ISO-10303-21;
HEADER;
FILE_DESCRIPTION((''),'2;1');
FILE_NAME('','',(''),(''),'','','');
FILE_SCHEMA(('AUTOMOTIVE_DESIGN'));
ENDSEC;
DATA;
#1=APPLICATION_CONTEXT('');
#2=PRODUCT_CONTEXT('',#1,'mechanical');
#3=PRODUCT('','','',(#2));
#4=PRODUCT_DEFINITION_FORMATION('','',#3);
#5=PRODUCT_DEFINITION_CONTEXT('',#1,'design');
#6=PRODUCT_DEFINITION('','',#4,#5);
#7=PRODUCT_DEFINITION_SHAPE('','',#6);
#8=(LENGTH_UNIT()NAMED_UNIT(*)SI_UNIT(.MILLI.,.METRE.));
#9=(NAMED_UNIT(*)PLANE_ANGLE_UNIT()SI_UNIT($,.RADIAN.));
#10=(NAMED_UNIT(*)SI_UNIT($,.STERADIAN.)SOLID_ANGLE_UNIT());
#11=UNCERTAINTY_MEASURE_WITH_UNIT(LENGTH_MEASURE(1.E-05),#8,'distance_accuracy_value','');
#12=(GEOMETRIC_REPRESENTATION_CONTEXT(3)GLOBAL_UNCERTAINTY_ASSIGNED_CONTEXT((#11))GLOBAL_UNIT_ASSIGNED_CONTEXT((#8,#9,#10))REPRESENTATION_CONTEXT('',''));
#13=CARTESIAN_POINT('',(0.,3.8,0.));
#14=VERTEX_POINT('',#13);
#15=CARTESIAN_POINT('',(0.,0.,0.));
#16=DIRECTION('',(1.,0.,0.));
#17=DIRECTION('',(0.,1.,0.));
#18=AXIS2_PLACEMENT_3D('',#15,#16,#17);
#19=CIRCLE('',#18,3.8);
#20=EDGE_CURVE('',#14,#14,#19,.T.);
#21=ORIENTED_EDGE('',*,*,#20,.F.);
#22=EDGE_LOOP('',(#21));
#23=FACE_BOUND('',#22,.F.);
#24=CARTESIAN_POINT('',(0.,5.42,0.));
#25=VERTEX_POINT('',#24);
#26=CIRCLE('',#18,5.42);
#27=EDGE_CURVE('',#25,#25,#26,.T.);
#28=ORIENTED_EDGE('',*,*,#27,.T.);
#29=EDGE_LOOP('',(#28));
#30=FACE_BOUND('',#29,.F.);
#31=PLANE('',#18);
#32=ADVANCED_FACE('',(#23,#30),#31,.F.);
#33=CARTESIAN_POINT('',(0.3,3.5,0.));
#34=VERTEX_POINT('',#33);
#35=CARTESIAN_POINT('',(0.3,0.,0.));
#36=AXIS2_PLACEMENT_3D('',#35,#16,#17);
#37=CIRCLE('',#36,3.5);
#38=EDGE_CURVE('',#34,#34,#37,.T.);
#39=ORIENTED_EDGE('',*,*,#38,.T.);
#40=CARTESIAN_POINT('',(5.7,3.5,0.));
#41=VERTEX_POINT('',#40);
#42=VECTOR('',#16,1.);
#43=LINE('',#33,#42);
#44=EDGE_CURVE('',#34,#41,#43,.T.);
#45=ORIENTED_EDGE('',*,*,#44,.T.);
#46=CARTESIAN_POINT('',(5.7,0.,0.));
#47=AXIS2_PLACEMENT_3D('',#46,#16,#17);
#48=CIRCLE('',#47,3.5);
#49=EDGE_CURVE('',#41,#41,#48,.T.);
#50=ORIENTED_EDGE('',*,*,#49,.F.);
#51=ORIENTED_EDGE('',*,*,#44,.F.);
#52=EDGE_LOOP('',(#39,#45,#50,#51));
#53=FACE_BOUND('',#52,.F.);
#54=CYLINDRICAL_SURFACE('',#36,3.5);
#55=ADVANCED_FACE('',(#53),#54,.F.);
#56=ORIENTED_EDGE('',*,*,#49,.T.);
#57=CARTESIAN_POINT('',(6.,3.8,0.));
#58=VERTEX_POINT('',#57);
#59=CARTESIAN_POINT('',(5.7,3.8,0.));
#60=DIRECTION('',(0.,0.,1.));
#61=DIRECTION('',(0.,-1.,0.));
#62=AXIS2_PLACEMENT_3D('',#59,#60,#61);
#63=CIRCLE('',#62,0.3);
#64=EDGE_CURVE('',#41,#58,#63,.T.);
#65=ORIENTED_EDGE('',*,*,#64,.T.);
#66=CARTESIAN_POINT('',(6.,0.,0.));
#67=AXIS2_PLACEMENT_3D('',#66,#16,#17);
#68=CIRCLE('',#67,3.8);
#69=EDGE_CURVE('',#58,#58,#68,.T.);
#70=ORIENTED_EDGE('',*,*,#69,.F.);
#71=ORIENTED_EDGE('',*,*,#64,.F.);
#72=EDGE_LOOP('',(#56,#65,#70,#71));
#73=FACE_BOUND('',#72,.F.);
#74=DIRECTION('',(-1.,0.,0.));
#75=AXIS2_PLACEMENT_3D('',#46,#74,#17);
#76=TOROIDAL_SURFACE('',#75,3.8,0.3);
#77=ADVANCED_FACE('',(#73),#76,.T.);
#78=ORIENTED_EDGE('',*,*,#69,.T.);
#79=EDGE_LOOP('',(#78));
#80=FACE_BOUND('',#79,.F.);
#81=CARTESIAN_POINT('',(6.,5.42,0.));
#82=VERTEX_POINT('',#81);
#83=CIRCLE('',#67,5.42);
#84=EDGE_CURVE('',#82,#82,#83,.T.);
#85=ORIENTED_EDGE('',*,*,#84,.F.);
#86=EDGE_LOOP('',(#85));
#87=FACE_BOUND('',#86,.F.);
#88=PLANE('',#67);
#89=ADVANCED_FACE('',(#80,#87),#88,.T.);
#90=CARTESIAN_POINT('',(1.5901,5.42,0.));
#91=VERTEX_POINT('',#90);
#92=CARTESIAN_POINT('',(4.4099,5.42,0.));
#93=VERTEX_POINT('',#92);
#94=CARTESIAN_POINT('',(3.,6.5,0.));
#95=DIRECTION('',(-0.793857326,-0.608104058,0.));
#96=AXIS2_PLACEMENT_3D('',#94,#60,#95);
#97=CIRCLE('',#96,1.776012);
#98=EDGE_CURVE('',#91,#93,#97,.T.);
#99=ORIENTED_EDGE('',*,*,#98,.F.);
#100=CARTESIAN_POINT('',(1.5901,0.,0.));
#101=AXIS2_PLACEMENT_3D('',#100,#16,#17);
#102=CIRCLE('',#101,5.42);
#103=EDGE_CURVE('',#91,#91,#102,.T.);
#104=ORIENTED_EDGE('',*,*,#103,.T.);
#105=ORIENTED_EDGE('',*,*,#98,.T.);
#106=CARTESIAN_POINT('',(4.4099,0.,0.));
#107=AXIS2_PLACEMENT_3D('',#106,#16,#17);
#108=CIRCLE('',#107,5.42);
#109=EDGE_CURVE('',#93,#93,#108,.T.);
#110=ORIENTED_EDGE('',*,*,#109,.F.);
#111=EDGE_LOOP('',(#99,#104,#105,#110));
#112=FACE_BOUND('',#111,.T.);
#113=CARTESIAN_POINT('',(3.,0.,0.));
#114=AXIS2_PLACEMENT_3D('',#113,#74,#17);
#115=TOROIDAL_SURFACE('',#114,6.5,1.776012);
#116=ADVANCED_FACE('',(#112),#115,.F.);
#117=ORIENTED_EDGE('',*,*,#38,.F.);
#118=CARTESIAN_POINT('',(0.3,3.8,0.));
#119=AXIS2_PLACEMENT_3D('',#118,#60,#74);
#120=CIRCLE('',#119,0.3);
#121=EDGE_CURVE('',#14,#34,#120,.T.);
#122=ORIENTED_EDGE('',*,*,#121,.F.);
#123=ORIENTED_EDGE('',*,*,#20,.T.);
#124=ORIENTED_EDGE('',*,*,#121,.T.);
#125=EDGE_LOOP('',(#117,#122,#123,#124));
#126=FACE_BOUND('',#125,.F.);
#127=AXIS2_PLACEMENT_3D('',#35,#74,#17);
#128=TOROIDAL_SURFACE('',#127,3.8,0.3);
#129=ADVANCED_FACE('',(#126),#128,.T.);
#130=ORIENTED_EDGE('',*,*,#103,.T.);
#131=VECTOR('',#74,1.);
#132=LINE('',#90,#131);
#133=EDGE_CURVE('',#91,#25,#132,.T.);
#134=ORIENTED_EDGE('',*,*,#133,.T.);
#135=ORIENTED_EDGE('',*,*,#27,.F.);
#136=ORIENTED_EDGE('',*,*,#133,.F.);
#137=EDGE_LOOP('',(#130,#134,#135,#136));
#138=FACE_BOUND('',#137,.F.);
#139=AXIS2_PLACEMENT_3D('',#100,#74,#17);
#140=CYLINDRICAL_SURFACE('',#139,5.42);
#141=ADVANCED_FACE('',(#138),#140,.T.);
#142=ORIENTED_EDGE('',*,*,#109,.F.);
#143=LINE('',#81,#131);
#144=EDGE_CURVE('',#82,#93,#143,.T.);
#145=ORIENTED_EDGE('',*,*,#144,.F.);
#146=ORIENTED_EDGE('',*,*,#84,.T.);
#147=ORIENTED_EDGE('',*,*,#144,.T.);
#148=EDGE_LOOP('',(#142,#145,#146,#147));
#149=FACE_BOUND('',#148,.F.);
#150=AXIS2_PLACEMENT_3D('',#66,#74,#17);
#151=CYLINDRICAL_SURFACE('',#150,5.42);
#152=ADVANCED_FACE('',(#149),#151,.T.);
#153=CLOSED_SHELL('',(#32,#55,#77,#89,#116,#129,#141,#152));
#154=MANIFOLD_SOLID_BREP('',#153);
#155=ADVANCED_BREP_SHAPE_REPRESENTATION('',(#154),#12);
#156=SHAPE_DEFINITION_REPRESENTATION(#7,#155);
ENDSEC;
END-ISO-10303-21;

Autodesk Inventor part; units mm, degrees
sketch "Sketch_2" plane through (0, 0, 0) normal (0, 0, 1) x (1, 0, 0)
  line L0 (6, 0) -> (0, 0)
  arc A0 (0, 3.8) -> (0.3, 3.5) centre (0.3, 3.8) ccw
  line L1 (0.3, 3.5) -> (5.7, 3.5)
  arc A1 (5.7, 3.5) -> (6, 3.8) centre (5.7, 3.8) ccw
  line L2 (6, 3.8) -> (6, 5.42)
  line L3 (6, 5.42) -> (4.4099, 5.42)
  arc A2 (1.5901, 5.42) -> (4.4099, 5.42) centre (3, 6.5) ccw
  line L4 (1.5901, 5.42) -> (0, 5.42)
  line L5 (0, 5.42) -> (0, 3.8)
revolve "Revolution1" add sketch "Sketch_2" angle 360 about axis through (6, 0, 0) along (1, 0, 0)
ref_plane "mss_ir_XY" through (0, 0, 0) normal (1, 0, 0) x (0, 0, -1)
ref_plane "mss_ir_YZ" through (0, 0, 0) normal (0, 0, -1) x (0, 1, 0)
ref_plane "mss_ir_ZX" through (0, 0, 0) normal (0, 1, 0) x (1, 0, 0)
properties part number "607ZZ Inner ring"
